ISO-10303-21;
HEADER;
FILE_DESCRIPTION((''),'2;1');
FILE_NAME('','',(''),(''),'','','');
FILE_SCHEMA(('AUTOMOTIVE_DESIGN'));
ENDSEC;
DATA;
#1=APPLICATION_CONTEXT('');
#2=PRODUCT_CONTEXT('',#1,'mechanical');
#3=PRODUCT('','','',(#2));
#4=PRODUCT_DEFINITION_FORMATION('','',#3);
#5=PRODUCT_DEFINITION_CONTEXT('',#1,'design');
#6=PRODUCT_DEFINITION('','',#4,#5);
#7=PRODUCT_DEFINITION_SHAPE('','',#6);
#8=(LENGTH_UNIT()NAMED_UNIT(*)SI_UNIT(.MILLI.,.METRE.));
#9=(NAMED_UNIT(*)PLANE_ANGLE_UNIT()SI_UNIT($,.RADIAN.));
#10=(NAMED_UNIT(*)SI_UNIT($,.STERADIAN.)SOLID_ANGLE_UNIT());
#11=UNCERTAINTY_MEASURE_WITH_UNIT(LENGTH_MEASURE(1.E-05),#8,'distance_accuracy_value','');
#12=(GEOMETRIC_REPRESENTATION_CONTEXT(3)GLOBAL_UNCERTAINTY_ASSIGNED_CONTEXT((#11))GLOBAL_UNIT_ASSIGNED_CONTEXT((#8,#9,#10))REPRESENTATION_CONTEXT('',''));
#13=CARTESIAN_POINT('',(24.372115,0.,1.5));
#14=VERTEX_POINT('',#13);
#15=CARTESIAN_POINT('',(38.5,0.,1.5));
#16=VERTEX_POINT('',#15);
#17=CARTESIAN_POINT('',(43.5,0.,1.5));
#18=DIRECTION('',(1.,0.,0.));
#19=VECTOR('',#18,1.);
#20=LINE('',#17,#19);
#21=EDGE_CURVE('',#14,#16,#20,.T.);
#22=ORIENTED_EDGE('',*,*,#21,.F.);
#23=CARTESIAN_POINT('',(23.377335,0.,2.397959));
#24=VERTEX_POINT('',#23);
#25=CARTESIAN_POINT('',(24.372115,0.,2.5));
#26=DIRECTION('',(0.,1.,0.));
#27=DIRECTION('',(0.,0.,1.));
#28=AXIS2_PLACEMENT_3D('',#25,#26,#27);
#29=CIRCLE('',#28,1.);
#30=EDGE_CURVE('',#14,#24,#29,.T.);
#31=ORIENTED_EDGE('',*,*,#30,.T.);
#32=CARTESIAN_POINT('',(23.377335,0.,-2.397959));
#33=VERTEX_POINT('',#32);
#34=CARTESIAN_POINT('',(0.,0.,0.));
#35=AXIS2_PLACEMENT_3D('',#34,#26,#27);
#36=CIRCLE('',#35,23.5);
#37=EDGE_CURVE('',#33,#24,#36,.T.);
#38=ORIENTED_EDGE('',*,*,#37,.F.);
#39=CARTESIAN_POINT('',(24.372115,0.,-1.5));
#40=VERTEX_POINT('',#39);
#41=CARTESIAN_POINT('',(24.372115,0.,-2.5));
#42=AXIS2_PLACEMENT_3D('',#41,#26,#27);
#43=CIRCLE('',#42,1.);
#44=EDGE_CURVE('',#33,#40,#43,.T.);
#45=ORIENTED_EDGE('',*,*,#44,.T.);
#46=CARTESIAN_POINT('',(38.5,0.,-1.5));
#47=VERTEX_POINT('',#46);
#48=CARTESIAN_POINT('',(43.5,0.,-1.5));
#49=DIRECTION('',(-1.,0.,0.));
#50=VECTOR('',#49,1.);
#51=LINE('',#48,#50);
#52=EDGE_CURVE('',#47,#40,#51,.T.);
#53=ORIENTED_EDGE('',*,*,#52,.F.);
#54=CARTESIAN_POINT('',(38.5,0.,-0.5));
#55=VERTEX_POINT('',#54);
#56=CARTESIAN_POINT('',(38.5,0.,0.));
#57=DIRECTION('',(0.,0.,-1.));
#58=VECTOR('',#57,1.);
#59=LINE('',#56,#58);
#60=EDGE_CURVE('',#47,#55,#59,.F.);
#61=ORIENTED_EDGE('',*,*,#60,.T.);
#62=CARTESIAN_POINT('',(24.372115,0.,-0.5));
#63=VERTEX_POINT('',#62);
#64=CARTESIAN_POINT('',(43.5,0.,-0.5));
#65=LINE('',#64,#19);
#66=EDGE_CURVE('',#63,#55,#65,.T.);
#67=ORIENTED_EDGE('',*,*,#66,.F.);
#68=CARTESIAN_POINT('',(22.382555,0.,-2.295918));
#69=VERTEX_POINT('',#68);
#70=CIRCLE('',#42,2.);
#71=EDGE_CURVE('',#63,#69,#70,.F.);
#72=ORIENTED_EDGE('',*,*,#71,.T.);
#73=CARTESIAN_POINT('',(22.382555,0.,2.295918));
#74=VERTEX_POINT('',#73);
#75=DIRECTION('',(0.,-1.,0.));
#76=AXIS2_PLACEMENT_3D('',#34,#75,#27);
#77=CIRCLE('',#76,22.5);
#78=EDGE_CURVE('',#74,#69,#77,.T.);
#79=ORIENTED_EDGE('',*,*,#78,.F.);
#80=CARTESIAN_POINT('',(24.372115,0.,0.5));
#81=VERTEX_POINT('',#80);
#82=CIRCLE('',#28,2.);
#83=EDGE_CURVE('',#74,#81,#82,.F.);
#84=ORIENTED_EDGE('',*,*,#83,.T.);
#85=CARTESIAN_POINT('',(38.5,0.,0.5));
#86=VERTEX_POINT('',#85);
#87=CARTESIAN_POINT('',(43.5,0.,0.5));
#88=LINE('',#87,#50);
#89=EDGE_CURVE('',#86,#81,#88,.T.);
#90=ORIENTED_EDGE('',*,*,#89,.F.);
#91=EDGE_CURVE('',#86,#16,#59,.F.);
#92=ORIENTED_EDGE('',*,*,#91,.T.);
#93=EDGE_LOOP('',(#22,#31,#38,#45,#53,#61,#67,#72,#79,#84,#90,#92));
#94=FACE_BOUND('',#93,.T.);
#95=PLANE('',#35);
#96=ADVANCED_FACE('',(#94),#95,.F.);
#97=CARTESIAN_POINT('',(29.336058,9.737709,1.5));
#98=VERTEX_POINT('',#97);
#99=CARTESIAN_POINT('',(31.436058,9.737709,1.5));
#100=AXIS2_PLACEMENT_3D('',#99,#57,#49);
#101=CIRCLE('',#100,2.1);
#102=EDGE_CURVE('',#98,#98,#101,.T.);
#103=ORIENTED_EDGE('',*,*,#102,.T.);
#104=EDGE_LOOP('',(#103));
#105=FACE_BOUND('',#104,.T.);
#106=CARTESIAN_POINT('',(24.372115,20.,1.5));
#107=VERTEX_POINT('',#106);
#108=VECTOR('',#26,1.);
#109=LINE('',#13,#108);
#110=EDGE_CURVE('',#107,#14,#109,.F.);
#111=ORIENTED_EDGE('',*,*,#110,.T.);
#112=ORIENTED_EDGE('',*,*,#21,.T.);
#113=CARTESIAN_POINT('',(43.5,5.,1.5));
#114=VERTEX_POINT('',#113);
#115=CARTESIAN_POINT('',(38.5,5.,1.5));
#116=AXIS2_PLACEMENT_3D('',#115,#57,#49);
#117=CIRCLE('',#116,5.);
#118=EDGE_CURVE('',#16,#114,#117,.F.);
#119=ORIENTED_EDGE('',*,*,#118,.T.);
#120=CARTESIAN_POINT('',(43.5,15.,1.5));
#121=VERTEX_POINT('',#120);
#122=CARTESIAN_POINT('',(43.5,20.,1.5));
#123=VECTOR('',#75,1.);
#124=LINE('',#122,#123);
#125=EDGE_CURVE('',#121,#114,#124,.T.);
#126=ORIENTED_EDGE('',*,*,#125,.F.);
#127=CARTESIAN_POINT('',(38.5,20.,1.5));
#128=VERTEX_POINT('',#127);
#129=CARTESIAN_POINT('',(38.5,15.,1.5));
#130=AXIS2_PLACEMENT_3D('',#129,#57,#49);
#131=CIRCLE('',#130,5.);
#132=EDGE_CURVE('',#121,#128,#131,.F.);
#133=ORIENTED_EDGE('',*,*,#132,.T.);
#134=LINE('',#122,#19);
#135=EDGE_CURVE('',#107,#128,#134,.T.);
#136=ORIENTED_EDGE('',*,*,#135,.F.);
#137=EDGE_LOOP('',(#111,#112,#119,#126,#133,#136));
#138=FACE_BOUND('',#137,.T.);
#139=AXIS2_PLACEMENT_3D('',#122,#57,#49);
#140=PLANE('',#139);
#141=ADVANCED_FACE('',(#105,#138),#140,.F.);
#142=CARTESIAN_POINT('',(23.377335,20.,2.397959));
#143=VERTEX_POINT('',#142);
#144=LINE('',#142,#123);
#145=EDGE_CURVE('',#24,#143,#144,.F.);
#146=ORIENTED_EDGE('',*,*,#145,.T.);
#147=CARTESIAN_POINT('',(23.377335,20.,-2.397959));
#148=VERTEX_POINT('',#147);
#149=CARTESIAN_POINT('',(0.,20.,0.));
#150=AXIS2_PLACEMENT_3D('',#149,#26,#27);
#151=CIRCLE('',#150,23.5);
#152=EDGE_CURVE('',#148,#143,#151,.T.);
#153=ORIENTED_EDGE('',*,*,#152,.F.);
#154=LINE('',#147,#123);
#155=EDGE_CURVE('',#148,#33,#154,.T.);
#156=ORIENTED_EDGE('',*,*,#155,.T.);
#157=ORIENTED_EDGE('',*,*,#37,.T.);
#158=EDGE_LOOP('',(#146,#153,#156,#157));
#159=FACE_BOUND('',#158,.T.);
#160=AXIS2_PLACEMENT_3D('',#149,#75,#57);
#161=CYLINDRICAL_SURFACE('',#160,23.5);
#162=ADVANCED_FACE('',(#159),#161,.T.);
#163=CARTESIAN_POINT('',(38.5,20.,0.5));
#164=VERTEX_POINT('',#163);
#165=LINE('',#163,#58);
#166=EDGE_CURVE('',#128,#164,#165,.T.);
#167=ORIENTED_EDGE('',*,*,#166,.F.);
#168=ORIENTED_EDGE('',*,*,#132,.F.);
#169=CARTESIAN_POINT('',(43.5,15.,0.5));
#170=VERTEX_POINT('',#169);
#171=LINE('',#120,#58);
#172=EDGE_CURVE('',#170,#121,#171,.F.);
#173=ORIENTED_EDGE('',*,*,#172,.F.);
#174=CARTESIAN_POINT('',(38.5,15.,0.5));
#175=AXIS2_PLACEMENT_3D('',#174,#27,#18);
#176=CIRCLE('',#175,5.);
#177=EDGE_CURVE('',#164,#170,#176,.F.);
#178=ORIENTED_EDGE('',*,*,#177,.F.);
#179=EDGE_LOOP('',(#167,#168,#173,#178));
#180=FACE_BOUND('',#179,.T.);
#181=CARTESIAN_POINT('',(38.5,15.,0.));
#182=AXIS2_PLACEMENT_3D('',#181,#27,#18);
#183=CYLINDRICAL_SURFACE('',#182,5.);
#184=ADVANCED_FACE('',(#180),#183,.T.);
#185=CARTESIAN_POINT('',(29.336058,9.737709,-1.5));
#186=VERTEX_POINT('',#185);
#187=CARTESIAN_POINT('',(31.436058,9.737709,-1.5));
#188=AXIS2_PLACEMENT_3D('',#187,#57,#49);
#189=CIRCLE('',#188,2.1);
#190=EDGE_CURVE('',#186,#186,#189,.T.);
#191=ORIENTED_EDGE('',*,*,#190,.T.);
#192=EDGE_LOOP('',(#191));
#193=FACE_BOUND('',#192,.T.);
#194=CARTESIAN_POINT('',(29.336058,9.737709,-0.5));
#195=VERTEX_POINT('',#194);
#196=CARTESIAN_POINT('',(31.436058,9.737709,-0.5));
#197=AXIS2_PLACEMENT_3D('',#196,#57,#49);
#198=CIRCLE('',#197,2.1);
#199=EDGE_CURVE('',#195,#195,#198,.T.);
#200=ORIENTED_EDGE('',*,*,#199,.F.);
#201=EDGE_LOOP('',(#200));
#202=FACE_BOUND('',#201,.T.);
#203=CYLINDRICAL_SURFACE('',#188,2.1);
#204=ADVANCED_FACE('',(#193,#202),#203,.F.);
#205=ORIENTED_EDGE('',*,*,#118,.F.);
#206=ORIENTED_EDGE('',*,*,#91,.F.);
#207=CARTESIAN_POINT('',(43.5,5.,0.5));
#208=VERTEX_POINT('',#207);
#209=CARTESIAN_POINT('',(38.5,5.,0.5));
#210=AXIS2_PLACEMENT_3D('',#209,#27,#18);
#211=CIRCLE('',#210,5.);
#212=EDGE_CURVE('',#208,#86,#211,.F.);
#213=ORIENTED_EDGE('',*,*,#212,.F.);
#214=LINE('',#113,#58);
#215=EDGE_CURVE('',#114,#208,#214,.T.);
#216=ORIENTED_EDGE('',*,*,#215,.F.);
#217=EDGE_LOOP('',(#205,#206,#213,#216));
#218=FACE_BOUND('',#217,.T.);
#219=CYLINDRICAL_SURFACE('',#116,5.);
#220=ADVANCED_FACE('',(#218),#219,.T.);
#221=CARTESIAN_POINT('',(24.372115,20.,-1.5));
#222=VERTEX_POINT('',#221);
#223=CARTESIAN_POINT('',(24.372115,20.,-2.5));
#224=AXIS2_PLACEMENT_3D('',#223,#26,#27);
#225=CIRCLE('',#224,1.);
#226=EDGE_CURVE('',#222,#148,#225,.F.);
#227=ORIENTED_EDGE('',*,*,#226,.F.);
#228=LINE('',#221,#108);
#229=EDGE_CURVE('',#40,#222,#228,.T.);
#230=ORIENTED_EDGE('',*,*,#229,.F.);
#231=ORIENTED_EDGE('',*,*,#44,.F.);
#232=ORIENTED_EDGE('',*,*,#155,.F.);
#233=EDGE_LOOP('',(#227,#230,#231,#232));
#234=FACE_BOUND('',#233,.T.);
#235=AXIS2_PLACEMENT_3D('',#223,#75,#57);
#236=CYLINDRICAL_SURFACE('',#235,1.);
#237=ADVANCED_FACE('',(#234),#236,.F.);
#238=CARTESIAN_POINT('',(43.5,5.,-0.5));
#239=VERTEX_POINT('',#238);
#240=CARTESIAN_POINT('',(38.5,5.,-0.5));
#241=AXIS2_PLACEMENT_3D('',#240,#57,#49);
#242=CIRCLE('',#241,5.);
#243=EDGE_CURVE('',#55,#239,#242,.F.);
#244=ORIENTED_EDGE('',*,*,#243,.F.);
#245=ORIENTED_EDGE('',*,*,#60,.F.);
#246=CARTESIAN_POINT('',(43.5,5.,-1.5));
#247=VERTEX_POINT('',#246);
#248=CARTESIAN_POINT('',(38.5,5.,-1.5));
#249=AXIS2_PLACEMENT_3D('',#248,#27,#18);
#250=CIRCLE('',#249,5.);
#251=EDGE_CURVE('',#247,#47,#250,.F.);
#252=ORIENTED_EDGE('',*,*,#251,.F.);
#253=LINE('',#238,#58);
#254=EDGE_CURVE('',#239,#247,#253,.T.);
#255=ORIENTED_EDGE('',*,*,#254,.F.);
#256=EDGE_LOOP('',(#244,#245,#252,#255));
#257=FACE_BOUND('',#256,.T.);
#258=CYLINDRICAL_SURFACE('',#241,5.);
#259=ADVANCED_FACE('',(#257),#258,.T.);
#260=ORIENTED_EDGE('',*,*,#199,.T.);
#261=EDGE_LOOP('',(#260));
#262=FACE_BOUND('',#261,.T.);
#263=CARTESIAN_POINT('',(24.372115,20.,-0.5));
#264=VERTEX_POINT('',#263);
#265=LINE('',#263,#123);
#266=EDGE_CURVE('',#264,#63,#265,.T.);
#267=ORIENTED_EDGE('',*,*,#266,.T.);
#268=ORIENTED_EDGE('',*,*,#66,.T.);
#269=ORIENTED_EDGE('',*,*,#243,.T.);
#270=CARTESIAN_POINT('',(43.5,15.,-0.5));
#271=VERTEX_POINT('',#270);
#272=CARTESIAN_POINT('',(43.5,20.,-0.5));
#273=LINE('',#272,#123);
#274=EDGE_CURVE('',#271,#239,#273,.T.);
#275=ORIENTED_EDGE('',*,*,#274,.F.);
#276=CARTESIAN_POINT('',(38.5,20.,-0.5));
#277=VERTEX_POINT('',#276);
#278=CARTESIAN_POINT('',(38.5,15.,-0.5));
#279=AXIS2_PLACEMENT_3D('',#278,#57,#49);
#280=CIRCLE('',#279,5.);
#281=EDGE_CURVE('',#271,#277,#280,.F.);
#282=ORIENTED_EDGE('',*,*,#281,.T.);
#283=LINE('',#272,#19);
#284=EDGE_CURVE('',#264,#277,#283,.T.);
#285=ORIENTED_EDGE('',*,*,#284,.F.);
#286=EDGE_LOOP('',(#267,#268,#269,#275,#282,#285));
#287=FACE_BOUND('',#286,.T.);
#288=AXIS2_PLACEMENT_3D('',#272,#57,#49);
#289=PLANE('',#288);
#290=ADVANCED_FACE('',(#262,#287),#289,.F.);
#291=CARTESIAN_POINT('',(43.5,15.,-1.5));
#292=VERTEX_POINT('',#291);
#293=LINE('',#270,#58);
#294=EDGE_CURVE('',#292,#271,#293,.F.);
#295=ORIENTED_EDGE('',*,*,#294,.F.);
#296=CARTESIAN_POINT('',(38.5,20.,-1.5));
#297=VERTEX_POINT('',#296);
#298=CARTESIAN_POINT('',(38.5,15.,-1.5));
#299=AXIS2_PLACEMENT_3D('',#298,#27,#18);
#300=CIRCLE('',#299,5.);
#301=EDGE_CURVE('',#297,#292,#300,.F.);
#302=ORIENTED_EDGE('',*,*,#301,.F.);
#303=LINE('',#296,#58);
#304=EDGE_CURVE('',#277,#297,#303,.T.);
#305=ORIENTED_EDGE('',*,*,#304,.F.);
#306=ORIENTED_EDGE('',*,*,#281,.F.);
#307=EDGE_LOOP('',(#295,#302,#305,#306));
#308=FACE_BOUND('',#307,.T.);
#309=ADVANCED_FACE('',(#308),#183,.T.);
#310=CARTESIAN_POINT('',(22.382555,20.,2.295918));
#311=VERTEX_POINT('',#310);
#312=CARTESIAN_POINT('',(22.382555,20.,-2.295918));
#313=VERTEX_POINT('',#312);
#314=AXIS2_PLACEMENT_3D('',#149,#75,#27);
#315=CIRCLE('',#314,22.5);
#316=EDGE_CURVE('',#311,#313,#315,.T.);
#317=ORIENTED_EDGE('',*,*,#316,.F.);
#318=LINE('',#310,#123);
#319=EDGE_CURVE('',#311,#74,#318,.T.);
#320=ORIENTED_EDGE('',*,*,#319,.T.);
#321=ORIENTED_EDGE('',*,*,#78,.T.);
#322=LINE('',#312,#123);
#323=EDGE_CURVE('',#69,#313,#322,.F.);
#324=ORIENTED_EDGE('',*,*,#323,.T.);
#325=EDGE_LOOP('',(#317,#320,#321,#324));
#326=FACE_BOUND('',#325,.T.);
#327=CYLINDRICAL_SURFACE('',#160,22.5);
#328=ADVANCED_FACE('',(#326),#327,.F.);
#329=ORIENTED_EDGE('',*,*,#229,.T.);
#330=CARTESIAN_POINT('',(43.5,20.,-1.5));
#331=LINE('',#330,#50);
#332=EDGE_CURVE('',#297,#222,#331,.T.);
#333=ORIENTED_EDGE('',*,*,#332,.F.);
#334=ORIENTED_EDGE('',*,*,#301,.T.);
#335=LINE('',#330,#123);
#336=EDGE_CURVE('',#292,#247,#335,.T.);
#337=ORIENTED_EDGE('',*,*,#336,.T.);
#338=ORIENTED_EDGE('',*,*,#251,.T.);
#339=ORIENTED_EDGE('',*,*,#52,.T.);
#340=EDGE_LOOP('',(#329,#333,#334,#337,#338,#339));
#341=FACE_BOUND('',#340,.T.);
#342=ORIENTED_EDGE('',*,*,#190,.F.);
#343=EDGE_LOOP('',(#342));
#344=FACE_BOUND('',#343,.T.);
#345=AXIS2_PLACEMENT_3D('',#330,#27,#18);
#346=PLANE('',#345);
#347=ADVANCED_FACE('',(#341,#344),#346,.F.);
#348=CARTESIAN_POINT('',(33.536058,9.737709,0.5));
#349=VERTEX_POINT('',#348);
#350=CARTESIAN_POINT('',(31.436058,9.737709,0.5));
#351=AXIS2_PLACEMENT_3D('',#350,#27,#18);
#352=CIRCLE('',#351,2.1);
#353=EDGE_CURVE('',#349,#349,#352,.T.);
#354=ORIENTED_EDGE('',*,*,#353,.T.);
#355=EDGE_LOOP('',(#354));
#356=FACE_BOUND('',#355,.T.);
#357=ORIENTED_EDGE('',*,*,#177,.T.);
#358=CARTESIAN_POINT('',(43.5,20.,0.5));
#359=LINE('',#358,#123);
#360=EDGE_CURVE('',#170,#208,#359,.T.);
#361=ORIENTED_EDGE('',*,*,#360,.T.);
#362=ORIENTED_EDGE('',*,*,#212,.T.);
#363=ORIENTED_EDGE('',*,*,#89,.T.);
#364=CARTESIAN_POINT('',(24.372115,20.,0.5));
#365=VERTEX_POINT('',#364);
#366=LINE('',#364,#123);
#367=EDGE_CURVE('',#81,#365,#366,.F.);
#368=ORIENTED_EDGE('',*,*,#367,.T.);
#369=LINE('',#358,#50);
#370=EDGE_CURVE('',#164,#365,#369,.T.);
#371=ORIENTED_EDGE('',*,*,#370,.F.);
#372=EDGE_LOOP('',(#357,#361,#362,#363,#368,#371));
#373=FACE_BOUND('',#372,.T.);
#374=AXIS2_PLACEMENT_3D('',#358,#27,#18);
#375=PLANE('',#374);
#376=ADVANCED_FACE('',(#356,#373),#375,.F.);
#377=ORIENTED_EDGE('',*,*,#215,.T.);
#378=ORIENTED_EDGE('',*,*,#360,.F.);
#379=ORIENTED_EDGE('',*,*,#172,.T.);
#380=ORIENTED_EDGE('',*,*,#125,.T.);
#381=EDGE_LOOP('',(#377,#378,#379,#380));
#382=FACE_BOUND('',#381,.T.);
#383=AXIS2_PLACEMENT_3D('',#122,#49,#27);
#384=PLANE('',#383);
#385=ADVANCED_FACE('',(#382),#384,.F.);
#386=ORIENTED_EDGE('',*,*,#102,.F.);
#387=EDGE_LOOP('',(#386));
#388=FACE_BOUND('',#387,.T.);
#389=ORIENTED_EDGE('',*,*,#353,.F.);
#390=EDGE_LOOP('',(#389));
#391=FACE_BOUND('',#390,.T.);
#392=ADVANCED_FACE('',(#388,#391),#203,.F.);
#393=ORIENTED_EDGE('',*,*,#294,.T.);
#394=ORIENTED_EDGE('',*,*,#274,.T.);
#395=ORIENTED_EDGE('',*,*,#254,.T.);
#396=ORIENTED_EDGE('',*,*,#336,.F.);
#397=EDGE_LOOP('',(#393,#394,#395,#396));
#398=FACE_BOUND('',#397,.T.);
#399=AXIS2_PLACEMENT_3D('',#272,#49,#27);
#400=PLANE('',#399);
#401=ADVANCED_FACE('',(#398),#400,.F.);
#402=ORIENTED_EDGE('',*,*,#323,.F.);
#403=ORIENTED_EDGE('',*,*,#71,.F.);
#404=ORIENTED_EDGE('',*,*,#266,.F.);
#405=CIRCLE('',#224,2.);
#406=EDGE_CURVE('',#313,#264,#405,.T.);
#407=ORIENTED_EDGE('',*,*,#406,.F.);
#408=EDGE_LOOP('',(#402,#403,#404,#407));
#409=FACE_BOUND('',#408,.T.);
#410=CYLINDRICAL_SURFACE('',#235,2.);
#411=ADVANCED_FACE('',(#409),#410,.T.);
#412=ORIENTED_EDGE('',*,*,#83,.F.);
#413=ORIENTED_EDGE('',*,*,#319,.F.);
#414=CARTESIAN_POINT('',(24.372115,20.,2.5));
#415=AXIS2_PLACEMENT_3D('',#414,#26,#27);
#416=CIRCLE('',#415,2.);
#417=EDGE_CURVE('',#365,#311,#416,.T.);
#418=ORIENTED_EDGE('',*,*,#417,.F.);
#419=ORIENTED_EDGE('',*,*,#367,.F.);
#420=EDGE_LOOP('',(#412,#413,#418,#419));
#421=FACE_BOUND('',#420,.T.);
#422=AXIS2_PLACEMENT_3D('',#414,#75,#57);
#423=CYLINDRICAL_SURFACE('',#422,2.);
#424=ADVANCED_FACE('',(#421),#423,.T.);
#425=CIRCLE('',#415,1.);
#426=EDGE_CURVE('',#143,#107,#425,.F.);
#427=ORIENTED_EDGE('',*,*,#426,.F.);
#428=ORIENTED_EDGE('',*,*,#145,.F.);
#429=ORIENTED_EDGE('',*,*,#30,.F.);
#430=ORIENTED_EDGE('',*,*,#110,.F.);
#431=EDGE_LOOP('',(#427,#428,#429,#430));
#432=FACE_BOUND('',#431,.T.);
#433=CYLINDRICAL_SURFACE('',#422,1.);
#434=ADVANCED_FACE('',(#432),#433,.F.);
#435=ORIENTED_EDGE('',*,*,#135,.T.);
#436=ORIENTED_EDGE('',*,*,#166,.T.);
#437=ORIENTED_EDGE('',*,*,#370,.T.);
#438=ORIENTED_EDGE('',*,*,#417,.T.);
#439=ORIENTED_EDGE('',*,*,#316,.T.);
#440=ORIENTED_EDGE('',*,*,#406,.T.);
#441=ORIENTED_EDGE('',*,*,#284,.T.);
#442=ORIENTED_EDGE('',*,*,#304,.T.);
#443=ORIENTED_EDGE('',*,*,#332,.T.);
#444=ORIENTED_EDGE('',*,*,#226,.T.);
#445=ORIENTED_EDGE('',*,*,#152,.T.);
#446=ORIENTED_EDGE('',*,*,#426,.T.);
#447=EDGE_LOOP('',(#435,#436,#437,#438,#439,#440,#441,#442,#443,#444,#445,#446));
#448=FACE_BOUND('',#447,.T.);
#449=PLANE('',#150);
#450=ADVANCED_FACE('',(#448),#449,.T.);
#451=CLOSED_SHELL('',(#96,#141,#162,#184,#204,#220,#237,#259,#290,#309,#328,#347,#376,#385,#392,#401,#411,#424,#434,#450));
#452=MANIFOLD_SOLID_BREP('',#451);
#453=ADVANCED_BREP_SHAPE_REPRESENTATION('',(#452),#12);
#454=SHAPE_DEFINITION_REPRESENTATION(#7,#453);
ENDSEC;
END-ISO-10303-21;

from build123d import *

# Parameters (mm, degrees)
EXTRUDE_1_DEPTH       = 20
FILLET_1_R            = 2
FILLET_2_R            = 1
FILLET_3_R            = 5
HOLE_WIZARD_M51_D     = 4.2
HOLE_WIZARD_M51_DEPTH = 38.5
HOLE_WIZARD_M51_TIP   = 1.2618073


with BuildPart() as part:
    # Эскиз1 → Бобышка-Вытянуть1 (new body)
    with BuildSketch(Plane(origin=(0, 0, 0), x_dir=(1, 0, 0), z_dir=(0, 1, 0))):
        with BuildLine():
            Line((43.5, -1.5), (23.452078799, -1.5))
            ThreePointArc((23.452078799, -1.5), (-23.5, 0), (23.452078799, 1.5))
            Line((23.452078799, 1.5), (43.5, 1.5))
            Line((43.5, 1.5), (43.5, 0.5))
            Line((43.5, 0.5), (22.494443758, 0.5))
            ThreePointArc((22.494443758, 0.5), (-22.5, 0), (22.494443758, -0.5))
            Line((22.494443758, -0.5), (43.5, -0.5))
            Line((43.5, -0.5), (43.5, -1.5))
        make_face()
    extrude(amount=EXTRUDE_1_DEPTH)

    # Скругление1
    fillet_1_edges = [part.edges().sort_by_distance(p)[0] for p in [
        (22.494443758, 10, -0.5),
        (22.494443758, 10, 0.5),
    ]]
    fillet(fillet_1_edges, radius=FILLET_1_R)

    # Скругление2
    fillet_2_edges = [part.edges().sort_by_distance(p)[0] for p in [
        (23.452078799, 10, 1.5),
        (23.452078799, 10, -1.5),
    ]]
    fillet(fillet_2_edges, radius=FILLET_2_R)

    # Скругление3
    fillet_3_edges = [part.edges().sort_by_distance(p)[0] for p in [
        (43.5, 0, -1),
        (43.5, 20, 1),
        (43.5, 20, -1),
        (43.5, 0, 1),
    ]]
    fillet(fillet_3_edges, radius=FILLET_3_R)

    # Отверстие обработанное метчиком M51
    with Locations(Plane(origin=(0, 0, -1.5), x_dir=(-1, 0, 0), z_dir=(0, 0, -1))):
        with Locations((-31.436057607, 9.737709053)):
            Hole(HOLE_WIZARD_M51_D / 2, depth=HOLE_WIZARD_M51_DEPTH)
            with Locations((0, 0, -(HOLE_WIZARD_M51_DEPTH + HOLE_WIZARD_M51_TIP / 2))):  # 118° drill point
                Cone(0, HOLE_WIZARD_M51_D / 2, HOLE_WIZARD_M51_TIP, mode=Mode.SUBTRACT)


solid = part.part
